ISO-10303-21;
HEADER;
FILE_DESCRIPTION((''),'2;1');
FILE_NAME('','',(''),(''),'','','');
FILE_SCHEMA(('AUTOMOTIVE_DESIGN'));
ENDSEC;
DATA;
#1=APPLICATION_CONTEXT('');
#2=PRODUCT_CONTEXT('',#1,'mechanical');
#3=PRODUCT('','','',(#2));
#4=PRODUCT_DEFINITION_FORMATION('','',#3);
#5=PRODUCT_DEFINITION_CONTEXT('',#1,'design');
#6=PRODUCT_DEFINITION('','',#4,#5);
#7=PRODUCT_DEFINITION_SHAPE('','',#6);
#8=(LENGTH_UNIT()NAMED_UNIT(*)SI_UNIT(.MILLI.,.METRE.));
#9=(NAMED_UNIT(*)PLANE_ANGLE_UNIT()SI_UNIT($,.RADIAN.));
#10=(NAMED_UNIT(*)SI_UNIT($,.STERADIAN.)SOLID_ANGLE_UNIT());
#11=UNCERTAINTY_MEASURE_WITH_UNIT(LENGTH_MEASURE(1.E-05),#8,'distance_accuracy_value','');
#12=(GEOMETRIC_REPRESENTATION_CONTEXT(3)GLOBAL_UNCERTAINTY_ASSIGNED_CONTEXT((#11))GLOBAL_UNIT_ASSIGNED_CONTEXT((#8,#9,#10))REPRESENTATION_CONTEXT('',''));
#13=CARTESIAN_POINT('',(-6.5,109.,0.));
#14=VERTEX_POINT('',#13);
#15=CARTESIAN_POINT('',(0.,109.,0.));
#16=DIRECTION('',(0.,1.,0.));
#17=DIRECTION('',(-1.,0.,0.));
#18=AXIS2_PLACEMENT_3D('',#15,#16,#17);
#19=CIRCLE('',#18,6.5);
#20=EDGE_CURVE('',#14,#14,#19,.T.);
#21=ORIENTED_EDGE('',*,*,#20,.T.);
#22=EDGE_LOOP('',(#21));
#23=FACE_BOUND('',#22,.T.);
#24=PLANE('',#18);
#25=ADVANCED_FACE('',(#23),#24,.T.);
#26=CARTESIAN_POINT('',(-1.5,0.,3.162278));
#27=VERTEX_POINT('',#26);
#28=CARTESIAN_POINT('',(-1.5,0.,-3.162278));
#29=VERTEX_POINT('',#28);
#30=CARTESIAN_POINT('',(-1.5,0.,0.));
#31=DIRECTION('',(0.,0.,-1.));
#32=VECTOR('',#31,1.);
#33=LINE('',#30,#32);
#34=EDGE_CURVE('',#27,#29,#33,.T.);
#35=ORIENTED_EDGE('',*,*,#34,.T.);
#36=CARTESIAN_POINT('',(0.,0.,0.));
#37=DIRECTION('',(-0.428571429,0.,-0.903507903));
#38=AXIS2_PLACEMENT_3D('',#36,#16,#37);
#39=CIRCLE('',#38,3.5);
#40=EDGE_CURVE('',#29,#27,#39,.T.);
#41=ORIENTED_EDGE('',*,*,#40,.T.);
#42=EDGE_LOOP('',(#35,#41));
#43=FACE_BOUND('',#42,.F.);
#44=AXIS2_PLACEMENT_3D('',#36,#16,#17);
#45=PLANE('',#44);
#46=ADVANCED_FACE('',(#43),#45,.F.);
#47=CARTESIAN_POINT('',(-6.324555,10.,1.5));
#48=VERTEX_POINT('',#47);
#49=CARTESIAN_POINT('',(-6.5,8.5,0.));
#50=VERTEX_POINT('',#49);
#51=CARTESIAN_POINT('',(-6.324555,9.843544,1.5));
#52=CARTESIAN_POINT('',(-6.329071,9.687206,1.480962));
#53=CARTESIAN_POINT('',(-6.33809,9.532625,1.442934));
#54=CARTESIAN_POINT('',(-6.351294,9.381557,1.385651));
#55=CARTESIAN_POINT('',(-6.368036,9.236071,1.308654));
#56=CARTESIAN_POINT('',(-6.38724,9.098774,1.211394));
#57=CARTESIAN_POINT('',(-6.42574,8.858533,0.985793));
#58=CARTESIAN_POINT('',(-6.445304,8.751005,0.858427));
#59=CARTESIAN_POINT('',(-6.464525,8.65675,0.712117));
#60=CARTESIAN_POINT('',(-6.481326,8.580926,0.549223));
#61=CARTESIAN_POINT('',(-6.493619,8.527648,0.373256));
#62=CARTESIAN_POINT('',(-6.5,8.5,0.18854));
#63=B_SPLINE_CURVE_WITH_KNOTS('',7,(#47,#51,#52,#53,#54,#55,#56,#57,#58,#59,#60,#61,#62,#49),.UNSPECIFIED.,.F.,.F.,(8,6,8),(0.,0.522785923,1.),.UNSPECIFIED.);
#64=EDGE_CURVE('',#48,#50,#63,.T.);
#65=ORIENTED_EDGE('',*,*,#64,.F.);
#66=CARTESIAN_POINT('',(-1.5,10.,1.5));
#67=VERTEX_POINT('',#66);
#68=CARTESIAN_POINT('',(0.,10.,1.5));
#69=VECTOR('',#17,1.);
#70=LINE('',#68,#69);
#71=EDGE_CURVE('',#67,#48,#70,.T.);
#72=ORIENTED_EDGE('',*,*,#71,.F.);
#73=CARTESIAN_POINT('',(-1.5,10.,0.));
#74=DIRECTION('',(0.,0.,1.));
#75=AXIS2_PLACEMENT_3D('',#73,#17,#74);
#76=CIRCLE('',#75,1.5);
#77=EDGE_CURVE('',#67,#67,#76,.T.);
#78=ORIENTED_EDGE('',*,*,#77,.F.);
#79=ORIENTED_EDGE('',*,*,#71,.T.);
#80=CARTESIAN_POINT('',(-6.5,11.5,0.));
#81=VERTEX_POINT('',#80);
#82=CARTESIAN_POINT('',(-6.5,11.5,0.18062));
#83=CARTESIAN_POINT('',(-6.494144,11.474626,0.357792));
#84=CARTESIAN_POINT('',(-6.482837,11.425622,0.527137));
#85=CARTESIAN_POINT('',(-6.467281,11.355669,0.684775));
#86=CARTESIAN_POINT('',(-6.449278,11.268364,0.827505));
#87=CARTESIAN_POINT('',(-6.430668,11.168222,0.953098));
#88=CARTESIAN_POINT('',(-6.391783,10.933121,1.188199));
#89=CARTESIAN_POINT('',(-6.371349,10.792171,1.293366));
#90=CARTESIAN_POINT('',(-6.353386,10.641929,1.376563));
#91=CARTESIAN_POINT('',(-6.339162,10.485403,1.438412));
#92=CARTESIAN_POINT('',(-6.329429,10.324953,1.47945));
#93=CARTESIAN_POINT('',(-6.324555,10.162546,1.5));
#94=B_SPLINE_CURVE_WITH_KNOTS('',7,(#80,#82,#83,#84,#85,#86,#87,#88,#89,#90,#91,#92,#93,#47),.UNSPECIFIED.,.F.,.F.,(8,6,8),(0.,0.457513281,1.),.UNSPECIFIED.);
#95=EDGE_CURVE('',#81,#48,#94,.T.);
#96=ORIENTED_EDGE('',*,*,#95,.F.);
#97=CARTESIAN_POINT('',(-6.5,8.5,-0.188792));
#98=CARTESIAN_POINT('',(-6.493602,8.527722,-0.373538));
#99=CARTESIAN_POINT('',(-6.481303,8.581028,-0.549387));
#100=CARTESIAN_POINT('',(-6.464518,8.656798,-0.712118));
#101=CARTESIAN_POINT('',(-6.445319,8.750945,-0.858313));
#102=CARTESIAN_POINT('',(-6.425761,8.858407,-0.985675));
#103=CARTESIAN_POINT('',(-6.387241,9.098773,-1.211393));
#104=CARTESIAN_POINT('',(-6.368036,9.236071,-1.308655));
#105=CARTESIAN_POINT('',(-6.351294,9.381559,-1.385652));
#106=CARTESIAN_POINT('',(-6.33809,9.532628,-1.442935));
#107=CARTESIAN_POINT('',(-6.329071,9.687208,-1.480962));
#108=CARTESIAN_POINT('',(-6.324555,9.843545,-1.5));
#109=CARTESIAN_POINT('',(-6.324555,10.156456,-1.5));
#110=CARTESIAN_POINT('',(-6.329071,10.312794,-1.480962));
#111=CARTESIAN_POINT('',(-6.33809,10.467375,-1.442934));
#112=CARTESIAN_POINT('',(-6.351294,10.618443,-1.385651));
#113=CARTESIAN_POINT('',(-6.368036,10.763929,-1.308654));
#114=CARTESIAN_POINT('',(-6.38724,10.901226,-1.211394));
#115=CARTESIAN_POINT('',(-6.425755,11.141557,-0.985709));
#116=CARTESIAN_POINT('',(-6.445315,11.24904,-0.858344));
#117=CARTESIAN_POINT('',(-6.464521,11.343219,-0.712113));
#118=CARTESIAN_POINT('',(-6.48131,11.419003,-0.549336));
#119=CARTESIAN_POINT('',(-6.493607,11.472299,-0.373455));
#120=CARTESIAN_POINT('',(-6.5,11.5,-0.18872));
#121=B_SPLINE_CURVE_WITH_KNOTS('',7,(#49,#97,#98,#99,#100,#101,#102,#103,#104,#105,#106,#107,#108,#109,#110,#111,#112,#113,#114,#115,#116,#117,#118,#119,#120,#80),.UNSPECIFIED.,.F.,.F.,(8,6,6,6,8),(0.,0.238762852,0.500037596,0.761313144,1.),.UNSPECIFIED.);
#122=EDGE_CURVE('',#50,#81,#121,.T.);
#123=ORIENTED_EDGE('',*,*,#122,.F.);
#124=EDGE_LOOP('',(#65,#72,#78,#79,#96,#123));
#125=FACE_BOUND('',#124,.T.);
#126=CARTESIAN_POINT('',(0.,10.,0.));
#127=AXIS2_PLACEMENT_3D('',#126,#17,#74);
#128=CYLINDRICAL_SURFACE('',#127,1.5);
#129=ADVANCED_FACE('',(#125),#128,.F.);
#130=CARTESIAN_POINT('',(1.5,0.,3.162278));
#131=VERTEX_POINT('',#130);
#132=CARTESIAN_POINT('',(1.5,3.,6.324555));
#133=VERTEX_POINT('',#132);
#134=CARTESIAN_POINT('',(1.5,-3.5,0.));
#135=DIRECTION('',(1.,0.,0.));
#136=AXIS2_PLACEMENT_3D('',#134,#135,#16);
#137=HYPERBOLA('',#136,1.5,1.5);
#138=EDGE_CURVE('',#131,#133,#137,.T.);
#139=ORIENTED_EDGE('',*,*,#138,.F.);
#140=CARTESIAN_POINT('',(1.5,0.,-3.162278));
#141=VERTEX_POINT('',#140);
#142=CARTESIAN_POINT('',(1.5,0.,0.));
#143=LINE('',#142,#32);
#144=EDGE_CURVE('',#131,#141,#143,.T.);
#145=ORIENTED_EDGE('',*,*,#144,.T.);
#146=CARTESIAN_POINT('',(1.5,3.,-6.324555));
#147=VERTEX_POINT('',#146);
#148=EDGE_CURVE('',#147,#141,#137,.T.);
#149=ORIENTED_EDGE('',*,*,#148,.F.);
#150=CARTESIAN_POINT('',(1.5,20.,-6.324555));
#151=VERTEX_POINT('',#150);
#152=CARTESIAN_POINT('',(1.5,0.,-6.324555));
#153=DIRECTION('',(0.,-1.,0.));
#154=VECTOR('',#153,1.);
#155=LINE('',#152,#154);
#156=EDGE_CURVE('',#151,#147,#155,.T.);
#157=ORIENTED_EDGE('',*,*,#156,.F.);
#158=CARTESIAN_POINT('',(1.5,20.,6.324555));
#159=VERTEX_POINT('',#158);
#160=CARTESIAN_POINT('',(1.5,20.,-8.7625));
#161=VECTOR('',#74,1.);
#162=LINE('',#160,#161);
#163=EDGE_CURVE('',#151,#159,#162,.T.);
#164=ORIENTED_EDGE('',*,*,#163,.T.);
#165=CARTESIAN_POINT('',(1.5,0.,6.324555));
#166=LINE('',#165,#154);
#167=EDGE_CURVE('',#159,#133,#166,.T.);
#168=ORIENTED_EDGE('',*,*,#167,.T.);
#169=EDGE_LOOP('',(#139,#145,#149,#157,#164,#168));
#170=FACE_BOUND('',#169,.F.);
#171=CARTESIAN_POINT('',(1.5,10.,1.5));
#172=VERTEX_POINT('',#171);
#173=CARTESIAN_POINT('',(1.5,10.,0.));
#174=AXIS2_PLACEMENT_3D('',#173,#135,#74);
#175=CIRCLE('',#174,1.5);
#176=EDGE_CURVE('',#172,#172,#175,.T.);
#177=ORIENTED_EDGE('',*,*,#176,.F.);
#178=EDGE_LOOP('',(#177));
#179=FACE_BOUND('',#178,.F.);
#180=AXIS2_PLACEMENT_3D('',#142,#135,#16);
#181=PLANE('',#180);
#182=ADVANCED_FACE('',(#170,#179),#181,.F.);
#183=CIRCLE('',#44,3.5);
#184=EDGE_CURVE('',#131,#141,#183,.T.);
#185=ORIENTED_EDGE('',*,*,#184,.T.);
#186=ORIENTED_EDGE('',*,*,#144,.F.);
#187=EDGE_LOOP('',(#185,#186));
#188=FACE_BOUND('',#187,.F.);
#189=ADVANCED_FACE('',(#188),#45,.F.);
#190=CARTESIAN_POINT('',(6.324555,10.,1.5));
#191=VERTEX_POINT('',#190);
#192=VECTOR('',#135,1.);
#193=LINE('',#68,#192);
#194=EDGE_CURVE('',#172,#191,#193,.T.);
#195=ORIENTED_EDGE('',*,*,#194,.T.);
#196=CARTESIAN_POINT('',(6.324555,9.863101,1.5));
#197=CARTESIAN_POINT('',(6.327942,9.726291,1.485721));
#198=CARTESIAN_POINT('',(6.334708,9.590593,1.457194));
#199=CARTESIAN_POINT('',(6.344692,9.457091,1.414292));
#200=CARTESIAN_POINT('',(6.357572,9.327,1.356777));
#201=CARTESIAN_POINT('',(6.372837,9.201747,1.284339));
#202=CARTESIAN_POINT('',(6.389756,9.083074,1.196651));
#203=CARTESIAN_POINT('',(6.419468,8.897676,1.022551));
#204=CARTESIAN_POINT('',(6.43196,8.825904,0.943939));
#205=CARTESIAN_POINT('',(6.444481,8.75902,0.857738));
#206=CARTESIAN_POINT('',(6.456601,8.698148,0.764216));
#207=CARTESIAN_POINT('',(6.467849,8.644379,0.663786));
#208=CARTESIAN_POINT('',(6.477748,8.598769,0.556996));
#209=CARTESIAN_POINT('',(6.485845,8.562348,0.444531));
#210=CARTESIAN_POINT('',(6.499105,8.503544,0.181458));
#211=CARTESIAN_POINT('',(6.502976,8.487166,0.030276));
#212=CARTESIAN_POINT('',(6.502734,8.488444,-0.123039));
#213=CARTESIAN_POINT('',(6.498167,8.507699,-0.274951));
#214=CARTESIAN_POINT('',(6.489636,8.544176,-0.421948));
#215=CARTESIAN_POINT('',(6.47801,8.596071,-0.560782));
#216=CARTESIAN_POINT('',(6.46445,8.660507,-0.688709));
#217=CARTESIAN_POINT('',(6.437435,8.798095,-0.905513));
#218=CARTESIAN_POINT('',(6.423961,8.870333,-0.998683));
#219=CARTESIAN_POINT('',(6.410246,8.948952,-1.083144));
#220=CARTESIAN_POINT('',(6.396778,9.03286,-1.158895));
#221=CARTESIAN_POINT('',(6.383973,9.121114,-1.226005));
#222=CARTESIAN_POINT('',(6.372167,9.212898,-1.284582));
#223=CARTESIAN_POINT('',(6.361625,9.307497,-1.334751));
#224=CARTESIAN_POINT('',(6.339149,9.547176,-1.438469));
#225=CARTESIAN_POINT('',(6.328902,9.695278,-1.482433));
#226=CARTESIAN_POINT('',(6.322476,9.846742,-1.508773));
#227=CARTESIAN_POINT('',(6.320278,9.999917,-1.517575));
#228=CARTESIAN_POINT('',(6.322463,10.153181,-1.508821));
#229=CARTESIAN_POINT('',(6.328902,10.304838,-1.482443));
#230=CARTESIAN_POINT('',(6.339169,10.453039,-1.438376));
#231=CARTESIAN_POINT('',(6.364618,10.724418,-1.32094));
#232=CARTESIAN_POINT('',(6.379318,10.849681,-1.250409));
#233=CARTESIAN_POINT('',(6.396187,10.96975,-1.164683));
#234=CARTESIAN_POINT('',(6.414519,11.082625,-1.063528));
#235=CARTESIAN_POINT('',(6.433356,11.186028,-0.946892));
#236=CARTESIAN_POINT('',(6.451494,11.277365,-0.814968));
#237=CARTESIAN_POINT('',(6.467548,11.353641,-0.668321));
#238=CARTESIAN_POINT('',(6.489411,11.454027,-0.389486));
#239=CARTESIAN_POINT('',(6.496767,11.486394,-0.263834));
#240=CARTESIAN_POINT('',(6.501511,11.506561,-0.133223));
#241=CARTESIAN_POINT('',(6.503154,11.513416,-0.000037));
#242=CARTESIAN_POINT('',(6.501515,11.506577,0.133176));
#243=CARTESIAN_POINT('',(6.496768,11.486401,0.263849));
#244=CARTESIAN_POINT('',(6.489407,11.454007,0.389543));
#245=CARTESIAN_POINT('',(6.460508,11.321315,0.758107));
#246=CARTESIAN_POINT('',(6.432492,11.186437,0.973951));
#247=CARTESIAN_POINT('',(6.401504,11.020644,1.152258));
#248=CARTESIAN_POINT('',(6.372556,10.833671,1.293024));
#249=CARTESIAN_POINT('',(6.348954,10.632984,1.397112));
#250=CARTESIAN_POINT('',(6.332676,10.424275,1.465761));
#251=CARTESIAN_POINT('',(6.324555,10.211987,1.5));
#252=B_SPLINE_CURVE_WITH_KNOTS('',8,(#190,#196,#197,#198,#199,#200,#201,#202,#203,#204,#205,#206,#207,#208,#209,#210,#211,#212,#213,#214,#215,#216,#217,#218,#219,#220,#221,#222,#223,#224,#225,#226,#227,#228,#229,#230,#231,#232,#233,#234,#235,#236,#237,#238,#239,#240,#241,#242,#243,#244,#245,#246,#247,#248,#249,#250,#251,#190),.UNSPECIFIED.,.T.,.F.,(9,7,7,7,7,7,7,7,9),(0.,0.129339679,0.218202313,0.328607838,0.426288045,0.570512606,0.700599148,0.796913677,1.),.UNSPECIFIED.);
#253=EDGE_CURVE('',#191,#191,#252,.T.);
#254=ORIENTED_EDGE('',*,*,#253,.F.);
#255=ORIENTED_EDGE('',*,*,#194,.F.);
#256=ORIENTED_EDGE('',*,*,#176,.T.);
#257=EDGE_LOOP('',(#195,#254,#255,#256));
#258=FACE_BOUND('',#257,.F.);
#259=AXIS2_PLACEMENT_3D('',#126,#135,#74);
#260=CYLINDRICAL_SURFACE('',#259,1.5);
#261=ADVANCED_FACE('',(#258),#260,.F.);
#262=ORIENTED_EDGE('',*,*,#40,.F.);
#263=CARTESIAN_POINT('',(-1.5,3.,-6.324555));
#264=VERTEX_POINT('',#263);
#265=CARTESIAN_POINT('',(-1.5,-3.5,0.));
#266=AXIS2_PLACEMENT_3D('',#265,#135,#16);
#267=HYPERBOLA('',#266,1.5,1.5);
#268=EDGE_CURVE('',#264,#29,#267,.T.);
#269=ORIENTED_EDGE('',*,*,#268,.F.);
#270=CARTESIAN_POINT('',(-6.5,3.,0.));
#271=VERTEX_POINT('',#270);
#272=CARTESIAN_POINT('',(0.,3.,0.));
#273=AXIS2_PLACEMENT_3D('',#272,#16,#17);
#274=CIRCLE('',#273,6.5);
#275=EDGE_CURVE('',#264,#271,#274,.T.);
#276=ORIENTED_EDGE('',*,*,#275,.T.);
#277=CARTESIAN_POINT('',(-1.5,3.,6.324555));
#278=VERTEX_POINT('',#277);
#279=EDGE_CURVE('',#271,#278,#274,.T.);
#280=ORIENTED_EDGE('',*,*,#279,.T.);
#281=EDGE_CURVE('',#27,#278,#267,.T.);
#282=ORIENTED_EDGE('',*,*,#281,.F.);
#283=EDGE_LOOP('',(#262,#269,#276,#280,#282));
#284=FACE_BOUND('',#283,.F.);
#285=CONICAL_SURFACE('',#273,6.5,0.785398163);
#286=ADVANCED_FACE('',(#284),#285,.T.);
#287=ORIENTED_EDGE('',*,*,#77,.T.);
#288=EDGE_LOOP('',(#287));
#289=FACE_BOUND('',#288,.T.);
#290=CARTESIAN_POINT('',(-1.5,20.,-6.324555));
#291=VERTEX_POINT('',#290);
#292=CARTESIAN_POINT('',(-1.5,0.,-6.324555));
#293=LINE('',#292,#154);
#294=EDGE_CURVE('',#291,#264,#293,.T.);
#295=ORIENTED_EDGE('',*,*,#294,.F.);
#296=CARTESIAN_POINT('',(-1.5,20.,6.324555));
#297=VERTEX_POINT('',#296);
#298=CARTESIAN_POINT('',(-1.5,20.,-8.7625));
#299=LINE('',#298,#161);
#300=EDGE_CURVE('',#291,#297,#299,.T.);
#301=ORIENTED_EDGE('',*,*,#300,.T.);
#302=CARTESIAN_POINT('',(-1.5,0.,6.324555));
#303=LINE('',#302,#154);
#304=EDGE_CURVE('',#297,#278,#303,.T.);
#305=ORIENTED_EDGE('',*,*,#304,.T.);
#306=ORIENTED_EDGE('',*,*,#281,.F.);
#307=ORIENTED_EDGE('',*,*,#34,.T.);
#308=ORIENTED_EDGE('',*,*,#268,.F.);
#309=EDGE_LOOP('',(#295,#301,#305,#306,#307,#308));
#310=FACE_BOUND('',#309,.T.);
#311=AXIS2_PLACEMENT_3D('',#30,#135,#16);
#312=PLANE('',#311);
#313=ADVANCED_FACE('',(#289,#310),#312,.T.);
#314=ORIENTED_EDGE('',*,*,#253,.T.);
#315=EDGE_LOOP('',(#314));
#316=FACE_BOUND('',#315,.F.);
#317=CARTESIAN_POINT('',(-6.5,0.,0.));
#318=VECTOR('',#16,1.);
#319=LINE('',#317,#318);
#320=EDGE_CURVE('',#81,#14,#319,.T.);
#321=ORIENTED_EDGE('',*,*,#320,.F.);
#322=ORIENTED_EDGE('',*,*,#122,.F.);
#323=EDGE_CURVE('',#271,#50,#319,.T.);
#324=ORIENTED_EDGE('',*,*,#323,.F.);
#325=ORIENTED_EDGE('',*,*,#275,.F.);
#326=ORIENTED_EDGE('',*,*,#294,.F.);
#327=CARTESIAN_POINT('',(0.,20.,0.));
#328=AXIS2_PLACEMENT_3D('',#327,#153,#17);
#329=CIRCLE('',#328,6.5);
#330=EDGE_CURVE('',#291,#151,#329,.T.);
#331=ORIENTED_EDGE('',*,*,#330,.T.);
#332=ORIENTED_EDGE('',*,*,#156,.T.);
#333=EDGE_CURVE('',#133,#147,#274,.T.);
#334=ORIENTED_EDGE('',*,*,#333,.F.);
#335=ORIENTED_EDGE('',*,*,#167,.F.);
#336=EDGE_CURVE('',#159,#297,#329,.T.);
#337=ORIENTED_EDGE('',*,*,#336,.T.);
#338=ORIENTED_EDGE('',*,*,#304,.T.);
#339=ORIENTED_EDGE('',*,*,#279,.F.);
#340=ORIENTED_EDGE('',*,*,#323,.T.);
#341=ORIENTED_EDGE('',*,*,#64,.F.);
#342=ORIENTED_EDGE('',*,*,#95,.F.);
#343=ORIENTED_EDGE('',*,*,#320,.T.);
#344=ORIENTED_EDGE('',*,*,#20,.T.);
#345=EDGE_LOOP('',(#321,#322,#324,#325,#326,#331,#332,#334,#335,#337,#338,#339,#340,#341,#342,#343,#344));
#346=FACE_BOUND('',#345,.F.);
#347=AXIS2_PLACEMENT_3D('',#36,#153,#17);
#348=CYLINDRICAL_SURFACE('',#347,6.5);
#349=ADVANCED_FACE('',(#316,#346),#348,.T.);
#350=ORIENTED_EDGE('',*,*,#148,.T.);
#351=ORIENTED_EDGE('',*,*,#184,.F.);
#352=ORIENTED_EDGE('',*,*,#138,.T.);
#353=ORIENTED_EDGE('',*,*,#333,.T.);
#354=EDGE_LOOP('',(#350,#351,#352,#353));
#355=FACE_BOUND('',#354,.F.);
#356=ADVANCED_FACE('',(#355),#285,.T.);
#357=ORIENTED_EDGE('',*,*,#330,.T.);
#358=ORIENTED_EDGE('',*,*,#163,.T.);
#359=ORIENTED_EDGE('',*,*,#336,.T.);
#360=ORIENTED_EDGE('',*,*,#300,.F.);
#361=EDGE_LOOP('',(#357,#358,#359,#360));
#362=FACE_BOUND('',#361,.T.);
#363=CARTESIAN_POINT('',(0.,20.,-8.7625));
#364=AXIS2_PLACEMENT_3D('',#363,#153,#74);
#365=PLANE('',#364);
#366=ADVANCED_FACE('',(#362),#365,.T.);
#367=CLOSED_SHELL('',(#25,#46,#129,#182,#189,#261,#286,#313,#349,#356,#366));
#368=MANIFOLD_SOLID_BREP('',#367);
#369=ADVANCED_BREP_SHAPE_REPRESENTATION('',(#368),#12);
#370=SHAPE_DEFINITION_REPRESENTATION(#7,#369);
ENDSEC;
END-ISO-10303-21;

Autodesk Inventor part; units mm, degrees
ref_plane "YZ Plane" through (0, 0, 0) normal (1, 0, 0) x (0, 1, 0)
ref_plane "XZ Plane" through (0, 0, 0) normal (0, 1, 0) x (-1, 0, 0)
ref_plane "XY Plane" through (0, 0, 0) normal (0, 0, 1) x (1, 0, 0)
sketch "Sketch1" plane through (0, 0, 0) normal (0, 1, 0) x (-1, 0, 0)
  circle A0 centre (0, 0) radius 6.5
  dimension "d0" = 13
extrude "Extrusion1" add sketch "Sketch1" along normal blind 109
chamfer "Chamfer1" distance 3 angle 45 1 edges at (6.5, 0, 0)
sketch "Sketch2" plane through (0, 0, 0) normal (1, 0, 0) x (0, 1, 0)
  line L0 (20, 11.2856) -> (-12.0513, 11.2856)
  line L1 (-12.0513, 11.2856) -> (-12.0513, -8.7625)
  line L2 (-12.0513, -8.7625) -> (20, -8.7625)
  line L3 (20, -8.7625) -> (20, 11.2856)
  line L4 (109, -6.5) -> (109, 6.5) construction
  line L5 (3, 6.5) -> (3, -6.5) construction
  line L6 (0, -3.5) -> (0, 3.5) construction
  point P0 (0, 0)
  dimension "d6" = 20
extrude "Extrusion2" cut sketch "Sketch2" along normal mid plane 3
sketch "Sketch3" plane through (0, 0, 0) normal (1, 0, 0) x (0, 1, 0)
  line L0 (-21.8, 0) -> (130.8, 0) construction
  line L1 (0, -3.1623) -> (0, 3.1623) construction
  point P0 (0, 0)
  point P1 (10, 0)
  dimension "d9" = 10
hole "Hole1" at (0, 10, 0) direction (1, 0, 0) diameter 3 end through all
mirror "Mirror1" about plane through (0, 0, 0) normal (1, 0, 0) of "Hole1"
properties part number "LIVER SHAFT" material "Steel, Alloy"
